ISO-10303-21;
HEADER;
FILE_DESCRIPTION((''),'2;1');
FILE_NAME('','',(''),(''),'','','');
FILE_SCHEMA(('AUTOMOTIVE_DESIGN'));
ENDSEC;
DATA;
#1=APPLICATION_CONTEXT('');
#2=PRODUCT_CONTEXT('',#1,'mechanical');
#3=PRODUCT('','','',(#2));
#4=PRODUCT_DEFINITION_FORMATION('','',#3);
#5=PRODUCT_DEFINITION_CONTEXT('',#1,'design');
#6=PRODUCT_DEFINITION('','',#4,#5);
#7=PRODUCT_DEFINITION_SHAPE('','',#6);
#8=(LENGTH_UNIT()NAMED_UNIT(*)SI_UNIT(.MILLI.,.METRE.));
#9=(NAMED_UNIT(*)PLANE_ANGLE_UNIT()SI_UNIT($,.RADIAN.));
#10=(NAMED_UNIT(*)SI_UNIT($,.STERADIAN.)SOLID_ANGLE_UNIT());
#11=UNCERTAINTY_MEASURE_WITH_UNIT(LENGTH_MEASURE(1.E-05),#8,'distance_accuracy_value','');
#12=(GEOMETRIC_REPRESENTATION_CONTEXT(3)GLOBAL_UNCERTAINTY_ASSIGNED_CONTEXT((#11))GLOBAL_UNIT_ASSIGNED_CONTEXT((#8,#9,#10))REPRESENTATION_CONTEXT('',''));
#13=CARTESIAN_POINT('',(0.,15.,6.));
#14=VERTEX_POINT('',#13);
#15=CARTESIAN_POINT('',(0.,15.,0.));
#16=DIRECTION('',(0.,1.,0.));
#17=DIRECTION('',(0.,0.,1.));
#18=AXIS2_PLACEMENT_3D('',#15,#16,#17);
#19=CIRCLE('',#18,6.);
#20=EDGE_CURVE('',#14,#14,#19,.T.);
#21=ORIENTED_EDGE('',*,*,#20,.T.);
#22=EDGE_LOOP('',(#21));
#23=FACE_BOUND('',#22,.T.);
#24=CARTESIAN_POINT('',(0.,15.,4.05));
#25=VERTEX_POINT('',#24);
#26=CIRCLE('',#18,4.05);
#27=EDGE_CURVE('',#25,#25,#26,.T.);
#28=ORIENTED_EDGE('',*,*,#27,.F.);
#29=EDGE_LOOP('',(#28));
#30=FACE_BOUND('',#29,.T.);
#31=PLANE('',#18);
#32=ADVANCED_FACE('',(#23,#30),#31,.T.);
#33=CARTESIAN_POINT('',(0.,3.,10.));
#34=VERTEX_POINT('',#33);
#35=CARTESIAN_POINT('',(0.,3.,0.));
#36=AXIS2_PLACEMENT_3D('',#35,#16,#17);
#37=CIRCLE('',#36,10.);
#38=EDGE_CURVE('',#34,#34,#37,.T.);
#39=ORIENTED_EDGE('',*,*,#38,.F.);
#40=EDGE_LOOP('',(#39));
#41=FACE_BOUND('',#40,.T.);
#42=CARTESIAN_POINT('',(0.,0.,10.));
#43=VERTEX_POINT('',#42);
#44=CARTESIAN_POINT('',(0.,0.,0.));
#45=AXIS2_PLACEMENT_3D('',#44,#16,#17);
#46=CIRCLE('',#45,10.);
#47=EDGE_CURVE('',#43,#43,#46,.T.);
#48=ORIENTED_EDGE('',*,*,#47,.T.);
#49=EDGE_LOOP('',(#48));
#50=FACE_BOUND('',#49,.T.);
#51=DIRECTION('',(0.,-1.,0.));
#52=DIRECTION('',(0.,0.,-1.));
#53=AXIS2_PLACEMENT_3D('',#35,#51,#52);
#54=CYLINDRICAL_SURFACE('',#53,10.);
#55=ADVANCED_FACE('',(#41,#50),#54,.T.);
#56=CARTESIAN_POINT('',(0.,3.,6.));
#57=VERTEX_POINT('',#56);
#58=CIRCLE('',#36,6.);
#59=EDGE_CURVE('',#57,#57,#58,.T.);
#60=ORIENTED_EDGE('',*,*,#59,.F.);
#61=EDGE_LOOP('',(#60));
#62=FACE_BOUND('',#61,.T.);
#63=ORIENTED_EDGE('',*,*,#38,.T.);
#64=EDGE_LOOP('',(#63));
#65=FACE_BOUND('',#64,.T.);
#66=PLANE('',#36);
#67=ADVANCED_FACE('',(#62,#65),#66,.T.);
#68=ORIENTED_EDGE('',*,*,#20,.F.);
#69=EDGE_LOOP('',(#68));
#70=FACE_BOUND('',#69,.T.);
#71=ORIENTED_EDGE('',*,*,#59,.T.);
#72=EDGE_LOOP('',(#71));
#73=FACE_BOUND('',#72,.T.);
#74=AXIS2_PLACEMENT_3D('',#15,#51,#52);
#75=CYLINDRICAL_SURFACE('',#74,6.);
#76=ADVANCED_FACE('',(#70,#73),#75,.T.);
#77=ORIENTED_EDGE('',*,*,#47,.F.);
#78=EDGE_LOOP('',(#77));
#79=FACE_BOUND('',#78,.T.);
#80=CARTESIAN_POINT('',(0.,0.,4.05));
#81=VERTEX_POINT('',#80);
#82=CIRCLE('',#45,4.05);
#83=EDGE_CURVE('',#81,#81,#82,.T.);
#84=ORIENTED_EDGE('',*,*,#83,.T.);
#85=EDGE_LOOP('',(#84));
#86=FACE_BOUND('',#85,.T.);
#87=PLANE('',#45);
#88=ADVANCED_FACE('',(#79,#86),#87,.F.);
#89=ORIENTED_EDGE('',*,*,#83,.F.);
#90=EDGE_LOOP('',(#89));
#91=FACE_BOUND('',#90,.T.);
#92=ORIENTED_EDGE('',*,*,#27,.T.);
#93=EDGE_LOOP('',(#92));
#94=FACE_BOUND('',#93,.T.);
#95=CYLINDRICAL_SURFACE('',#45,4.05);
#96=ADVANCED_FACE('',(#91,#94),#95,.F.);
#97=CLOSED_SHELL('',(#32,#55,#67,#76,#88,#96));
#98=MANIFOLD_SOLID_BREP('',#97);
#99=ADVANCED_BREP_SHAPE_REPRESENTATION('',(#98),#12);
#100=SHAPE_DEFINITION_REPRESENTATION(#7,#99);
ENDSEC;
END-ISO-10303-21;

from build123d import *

# Parameters (mm, degrees)
ESBO_O1_R                = 10
RESSALTO_EXTRUS_O1_DEPTH = 3
ESBO_O2_R                = 6
RESSALTO_EXTRUS_O2_DEPTH = 12
ESBO_O3_R                = 4.05
CORTE_EXTRUS_O1_DEPTH    = 21.615528128


with BuildPart() as part:
    # Esboço1 → Ressalto-extrusão1 (new body)
    with BuildSketch(Plane(origin=(0, 0, 0), x_dir=(1, 0, 0), z_dir=(0, 1, 0))):
        with Locations(Location((0, 0, 0), (0, 0, 270))):
            Circle(ESBO_O1_R)
    extrude(amount=RESSALTO_EXTRUS_O1_DEPTH)

    # Esboço2 → Ressalto-extrusão2 (add)
    with BuildSketch(Plane(origin=(0, 3, 0), x_dir=(1, 0, 0), z_dir=(0, 1, 0))):
        with Locations(Location((0, 0, 0), (0, 0, 270))):
            Circle(ESBO_O2_R)
    extrude(amount=RESSALTO_EXTRUS_O2_DEPTH)

    # Esboço3 → Corte-extrusão1 (cut, through all)
    with BuildSketch(Plane(origin=(0, 15, 0), x_dir=(1, 0, 0), z_dir=(0, 1, 0))):
        with Locations(Location((0, 0, 0), (0, 0, 270))):
            Circle(ESBO_O3_R)
    extrude(amount=-CORTE_EXTRUS_O1_DEPTH, mode=Mode.SUBTRACT)


solid = part.part
